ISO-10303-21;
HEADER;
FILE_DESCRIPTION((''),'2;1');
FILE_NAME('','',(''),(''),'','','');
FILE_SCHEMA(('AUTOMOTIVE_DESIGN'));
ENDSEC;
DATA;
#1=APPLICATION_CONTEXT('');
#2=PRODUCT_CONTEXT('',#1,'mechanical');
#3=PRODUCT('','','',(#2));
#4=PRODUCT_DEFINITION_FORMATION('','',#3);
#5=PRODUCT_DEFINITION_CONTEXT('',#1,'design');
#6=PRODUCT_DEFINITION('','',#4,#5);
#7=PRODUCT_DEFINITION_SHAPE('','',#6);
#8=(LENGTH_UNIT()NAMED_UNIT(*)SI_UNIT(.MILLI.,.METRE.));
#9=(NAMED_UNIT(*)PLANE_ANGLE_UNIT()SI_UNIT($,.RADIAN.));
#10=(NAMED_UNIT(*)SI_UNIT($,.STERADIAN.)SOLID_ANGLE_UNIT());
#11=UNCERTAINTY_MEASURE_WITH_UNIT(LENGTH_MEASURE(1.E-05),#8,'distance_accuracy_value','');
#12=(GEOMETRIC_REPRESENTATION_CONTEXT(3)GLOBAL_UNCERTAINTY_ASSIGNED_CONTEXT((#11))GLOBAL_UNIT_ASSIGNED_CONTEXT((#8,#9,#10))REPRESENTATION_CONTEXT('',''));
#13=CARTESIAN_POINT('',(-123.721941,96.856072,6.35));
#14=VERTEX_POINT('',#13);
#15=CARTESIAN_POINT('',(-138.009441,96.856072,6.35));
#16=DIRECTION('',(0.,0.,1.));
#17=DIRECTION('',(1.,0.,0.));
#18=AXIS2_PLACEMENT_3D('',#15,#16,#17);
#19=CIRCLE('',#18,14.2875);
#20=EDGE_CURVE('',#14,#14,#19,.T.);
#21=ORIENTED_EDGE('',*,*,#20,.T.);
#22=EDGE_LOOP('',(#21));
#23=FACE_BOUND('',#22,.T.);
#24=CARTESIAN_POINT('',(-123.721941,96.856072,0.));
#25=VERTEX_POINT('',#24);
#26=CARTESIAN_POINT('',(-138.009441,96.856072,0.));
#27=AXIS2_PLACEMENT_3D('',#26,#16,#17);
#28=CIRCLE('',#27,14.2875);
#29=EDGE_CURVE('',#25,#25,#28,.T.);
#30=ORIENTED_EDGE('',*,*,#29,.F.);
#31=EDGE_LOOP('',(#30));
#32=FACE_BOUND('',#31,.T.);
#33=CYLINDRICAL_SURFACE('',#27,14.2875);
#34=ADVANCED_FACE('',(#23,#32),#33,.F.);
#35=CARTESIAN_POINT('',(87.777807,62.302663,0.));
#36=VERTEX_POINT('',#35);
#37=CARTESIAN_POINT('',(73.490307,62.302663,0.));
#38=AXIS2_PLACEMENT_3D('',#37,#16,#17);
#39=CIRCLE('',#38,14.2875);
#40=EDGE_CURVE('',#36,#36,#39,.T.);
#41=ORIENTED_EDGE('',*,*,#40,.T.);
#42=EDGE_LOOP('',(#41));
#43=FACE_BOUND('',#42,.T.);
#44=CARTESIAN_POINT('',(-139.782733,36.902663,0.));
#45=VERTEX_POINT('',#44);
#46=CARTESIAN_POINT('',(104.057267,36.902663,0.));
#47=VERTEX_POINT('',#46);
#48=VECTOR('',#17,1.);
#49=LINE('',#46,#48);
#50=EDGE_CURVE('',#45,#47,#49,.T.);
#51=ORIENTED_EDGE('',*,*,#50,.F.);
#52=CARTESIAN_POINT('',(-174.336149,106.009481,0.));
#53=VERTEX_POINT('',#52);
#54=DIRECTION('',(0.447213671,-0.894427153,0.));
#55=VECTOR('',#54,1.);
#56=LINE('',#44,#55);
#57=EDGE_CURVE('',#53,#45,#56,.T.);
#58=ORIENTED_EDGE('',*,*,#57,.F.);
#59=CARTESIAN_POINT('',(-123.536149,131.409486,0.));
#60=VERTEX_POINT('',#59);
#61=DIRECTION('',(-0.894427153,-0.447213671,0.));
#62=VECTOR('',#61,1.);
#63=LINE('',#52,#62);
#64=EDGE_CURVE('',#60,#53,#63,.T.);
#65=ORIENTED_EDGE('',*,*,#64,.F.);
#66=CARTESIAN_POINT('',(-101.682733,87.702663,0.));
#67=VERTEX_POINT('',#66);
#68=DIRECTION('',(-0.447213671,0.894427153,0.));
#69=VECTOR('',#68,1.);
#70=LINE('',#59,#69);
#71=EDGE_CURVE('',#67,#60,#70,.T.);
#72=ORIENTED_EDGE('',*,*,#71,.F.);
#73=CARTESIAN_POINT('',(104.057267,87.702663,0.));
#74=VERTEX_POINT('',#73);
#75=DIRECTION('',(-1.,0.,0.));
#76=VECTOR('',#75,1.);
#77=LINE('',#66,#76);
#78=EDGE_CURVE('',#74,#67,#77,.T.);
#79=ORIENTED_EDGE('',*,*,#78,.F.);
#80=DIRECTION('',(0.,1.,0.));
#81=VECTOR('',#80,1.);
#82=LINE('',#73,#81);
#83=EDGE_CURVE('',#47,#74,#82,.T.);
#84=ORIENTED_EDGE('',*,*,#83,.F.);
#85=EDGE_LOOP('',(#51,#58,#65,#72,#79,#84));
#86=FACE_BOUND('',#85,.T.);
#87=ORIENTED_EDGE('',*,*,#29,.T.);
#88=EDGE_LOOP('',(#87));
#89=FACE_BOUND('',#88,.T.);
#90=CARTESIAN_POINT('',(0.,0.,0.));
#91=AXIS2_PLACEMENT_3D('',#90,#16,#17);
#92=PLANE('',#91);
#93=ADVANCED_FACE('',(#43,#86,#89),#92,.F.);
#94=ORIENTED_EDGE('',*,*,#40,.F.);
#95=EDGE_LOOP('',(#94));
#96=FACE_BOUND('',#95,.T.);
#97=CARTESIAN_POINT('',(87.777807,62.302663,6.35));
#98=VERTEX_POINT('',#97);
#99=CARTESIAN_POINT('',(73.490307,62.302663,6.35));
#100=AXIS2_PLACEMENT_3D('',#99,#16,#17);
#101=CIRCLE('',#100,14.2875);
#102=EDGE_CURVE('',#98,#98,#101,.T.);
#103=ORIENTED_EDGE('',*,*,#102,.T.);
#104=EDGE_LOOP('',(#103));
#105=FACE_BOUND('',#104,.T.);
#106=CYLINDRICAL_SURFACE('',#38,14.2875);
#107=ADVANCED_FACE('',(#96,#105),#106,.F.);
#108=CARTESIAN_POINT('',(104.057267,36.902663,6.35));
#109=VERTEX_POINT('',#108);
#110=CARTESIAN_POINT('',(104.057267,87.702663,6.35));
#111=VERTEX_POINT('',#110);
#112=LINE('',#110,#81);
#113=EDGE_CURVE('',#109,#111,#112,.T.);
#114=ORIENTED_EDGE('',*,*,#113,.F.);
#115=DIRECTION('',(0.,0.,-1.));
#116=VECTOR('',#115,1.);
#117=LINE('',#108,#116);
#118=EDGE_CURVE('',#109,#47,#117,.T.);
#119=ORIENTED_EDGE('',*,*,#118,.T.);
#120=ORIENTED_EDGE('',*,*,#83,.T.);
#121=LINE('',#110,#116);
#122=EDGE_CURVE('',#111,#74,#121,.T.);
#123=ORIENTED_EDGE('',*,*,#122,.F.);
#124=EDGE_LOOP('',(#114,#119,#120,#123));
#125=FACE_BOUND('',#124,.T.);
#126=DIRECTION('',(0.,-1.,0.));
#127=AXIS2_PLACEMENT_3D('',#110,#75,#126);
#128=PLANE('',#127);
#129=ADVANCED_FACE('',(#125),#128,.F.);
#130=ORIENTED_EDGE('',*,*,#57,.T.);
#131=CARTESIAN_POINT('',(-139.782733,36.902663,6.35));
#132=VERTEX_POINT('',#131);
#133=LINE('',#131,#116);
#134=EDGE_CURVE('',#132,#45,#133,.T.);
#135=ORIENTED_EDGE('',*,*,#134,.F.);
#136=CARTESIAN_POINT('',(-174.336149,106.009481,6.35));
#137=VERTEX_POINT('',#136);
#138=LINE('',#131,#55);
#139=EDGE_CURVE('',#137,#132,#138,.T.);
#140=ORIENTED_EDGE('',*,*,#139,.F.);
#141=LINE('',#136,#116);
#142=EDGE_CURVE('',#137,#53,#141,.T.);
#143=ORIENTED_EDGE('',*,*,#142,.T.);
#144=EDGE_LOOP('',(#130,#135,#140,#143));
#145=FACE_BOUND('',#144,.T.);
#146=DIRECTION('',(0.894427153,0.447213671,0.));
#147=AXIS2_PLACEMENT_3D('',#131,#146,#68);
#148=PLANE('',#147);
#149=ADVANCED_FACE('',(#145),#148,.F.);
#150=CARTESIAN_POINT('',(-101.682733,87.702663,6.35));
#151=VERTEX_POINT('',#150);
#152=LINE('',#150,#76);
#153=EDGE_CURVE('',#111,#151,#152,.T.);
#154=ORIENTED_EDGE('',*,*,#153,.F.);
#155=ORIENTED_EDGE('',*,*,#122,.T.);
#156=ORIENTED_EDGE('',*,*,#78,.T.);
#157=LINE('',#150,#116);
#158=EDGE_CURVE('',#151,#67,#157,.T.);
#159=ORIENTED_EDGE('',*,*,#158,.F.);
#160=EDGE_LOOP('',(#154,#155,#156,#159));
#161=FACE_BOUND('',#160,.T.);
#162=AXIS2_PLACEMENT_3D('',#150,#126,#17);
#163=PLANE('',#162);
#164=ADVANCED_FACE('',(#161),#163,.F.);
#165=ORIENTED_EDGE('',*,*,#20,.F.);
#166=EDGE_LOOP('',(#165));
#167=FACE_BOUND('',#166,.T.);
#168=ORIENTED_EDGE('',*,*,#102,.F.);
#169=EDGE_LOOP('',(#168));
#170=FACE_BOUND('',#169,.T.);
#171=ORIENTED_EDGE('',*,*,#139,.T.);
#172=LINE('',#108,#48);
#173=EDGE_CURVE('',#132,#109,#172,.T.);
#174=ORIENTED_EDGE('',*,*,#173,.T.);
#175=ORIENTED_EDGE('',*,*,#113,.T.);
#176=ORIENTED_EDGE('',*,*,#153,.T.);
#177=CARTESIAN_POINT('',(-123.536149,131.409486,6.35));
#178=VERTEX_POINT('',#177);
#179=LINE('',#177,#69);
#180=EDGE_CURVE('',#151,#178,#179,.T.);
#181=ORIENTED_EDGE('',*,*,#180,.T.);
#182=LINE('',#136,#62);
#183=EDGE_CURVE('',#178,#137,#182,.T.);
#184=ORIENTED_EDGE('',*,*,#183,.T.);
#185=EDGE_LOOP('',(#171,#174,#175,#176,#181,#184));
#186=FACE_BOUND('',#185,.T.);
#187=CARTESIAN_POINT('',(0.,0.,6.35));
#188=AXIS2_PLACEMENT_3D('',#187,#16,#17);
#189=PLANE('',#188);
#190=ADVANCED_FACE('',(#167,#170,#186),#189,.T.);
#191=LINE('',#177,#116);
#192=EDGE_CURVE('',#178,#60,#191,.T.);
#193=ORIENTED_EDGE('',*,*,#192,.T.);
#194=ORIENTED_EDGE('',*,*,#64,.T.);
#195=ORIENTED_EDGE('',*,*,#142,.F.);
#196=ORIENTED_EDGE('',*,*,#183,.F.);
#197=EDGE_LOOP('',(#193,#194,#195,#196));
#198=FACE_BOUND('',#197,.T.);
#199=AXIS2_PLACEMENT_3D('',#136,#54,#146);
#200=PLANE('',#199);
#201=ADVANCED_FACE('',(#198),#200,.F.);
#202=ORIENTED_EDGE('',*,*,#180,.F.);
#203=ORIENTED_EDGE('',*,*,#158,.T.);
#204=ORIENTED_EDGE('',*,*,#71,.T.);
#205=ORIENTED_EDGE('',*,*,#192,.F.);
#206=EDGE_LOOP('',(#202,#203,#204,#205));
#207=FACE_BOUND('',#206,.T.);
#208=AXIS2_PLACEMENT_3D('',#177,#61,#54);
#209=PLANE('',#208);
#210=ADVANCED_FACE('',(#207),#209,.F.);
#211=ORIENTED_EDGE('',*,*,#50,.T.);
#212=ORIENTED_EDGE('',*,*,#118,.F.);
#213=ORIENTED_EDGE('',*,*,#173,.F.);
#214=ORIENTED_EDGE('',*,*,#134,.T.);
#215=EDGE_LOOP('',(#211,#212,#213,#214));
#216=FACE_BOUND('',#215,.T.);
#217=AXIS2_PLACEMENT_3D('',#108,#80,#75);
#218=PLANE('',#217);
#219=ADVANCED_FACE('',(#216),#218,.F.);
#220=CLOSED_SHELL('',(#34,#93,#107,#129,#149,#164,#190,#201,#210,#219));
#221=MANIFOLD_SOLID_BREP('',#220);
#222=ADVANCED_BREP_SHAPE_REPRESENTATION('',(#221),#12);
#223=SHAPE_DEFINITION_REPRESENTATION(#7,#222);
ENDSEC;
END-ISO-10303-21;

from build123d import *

# Parameters (mm, degrees)
BOSS_EXTRUDE1_DEPTH = 6.35
SKETCH3_R           = 14.2875
CUT_EXTRUDE1_DEPTH  = 6.35


with BuildPart() as part:
    # Sketch2 → Boss-Extrude1 (new body)
    with BuildSketch(Plane.XY):
        Polygon((-139.782733066, 36.902663481), (-174.336149065, 106.009480913), (-123.536149065, 131.409486267), (-101.682733066, 87.702663481), (104.057266934, 87.702663481), (104.057266934, 36.902663481), align=None)
    extrude(amount=BOSS_EXTRUDE1_DEPTH)

    # Sketch3 → Cut-Extrude1 (cut)
    with BuildSketch(Plane.XY.offset(6.35)):
        with Locations((73.490307261, 62.302663481)):
            Circle(SKETCH3_R)
        with Locations((-138.009441066, 96.856072197)):
            Circle(SKETCH3_R)
    extrude(amount=-CUT_EXTRUDE1_DEPTH, mode=Mode.SUBTRACT)


solid = part.part
